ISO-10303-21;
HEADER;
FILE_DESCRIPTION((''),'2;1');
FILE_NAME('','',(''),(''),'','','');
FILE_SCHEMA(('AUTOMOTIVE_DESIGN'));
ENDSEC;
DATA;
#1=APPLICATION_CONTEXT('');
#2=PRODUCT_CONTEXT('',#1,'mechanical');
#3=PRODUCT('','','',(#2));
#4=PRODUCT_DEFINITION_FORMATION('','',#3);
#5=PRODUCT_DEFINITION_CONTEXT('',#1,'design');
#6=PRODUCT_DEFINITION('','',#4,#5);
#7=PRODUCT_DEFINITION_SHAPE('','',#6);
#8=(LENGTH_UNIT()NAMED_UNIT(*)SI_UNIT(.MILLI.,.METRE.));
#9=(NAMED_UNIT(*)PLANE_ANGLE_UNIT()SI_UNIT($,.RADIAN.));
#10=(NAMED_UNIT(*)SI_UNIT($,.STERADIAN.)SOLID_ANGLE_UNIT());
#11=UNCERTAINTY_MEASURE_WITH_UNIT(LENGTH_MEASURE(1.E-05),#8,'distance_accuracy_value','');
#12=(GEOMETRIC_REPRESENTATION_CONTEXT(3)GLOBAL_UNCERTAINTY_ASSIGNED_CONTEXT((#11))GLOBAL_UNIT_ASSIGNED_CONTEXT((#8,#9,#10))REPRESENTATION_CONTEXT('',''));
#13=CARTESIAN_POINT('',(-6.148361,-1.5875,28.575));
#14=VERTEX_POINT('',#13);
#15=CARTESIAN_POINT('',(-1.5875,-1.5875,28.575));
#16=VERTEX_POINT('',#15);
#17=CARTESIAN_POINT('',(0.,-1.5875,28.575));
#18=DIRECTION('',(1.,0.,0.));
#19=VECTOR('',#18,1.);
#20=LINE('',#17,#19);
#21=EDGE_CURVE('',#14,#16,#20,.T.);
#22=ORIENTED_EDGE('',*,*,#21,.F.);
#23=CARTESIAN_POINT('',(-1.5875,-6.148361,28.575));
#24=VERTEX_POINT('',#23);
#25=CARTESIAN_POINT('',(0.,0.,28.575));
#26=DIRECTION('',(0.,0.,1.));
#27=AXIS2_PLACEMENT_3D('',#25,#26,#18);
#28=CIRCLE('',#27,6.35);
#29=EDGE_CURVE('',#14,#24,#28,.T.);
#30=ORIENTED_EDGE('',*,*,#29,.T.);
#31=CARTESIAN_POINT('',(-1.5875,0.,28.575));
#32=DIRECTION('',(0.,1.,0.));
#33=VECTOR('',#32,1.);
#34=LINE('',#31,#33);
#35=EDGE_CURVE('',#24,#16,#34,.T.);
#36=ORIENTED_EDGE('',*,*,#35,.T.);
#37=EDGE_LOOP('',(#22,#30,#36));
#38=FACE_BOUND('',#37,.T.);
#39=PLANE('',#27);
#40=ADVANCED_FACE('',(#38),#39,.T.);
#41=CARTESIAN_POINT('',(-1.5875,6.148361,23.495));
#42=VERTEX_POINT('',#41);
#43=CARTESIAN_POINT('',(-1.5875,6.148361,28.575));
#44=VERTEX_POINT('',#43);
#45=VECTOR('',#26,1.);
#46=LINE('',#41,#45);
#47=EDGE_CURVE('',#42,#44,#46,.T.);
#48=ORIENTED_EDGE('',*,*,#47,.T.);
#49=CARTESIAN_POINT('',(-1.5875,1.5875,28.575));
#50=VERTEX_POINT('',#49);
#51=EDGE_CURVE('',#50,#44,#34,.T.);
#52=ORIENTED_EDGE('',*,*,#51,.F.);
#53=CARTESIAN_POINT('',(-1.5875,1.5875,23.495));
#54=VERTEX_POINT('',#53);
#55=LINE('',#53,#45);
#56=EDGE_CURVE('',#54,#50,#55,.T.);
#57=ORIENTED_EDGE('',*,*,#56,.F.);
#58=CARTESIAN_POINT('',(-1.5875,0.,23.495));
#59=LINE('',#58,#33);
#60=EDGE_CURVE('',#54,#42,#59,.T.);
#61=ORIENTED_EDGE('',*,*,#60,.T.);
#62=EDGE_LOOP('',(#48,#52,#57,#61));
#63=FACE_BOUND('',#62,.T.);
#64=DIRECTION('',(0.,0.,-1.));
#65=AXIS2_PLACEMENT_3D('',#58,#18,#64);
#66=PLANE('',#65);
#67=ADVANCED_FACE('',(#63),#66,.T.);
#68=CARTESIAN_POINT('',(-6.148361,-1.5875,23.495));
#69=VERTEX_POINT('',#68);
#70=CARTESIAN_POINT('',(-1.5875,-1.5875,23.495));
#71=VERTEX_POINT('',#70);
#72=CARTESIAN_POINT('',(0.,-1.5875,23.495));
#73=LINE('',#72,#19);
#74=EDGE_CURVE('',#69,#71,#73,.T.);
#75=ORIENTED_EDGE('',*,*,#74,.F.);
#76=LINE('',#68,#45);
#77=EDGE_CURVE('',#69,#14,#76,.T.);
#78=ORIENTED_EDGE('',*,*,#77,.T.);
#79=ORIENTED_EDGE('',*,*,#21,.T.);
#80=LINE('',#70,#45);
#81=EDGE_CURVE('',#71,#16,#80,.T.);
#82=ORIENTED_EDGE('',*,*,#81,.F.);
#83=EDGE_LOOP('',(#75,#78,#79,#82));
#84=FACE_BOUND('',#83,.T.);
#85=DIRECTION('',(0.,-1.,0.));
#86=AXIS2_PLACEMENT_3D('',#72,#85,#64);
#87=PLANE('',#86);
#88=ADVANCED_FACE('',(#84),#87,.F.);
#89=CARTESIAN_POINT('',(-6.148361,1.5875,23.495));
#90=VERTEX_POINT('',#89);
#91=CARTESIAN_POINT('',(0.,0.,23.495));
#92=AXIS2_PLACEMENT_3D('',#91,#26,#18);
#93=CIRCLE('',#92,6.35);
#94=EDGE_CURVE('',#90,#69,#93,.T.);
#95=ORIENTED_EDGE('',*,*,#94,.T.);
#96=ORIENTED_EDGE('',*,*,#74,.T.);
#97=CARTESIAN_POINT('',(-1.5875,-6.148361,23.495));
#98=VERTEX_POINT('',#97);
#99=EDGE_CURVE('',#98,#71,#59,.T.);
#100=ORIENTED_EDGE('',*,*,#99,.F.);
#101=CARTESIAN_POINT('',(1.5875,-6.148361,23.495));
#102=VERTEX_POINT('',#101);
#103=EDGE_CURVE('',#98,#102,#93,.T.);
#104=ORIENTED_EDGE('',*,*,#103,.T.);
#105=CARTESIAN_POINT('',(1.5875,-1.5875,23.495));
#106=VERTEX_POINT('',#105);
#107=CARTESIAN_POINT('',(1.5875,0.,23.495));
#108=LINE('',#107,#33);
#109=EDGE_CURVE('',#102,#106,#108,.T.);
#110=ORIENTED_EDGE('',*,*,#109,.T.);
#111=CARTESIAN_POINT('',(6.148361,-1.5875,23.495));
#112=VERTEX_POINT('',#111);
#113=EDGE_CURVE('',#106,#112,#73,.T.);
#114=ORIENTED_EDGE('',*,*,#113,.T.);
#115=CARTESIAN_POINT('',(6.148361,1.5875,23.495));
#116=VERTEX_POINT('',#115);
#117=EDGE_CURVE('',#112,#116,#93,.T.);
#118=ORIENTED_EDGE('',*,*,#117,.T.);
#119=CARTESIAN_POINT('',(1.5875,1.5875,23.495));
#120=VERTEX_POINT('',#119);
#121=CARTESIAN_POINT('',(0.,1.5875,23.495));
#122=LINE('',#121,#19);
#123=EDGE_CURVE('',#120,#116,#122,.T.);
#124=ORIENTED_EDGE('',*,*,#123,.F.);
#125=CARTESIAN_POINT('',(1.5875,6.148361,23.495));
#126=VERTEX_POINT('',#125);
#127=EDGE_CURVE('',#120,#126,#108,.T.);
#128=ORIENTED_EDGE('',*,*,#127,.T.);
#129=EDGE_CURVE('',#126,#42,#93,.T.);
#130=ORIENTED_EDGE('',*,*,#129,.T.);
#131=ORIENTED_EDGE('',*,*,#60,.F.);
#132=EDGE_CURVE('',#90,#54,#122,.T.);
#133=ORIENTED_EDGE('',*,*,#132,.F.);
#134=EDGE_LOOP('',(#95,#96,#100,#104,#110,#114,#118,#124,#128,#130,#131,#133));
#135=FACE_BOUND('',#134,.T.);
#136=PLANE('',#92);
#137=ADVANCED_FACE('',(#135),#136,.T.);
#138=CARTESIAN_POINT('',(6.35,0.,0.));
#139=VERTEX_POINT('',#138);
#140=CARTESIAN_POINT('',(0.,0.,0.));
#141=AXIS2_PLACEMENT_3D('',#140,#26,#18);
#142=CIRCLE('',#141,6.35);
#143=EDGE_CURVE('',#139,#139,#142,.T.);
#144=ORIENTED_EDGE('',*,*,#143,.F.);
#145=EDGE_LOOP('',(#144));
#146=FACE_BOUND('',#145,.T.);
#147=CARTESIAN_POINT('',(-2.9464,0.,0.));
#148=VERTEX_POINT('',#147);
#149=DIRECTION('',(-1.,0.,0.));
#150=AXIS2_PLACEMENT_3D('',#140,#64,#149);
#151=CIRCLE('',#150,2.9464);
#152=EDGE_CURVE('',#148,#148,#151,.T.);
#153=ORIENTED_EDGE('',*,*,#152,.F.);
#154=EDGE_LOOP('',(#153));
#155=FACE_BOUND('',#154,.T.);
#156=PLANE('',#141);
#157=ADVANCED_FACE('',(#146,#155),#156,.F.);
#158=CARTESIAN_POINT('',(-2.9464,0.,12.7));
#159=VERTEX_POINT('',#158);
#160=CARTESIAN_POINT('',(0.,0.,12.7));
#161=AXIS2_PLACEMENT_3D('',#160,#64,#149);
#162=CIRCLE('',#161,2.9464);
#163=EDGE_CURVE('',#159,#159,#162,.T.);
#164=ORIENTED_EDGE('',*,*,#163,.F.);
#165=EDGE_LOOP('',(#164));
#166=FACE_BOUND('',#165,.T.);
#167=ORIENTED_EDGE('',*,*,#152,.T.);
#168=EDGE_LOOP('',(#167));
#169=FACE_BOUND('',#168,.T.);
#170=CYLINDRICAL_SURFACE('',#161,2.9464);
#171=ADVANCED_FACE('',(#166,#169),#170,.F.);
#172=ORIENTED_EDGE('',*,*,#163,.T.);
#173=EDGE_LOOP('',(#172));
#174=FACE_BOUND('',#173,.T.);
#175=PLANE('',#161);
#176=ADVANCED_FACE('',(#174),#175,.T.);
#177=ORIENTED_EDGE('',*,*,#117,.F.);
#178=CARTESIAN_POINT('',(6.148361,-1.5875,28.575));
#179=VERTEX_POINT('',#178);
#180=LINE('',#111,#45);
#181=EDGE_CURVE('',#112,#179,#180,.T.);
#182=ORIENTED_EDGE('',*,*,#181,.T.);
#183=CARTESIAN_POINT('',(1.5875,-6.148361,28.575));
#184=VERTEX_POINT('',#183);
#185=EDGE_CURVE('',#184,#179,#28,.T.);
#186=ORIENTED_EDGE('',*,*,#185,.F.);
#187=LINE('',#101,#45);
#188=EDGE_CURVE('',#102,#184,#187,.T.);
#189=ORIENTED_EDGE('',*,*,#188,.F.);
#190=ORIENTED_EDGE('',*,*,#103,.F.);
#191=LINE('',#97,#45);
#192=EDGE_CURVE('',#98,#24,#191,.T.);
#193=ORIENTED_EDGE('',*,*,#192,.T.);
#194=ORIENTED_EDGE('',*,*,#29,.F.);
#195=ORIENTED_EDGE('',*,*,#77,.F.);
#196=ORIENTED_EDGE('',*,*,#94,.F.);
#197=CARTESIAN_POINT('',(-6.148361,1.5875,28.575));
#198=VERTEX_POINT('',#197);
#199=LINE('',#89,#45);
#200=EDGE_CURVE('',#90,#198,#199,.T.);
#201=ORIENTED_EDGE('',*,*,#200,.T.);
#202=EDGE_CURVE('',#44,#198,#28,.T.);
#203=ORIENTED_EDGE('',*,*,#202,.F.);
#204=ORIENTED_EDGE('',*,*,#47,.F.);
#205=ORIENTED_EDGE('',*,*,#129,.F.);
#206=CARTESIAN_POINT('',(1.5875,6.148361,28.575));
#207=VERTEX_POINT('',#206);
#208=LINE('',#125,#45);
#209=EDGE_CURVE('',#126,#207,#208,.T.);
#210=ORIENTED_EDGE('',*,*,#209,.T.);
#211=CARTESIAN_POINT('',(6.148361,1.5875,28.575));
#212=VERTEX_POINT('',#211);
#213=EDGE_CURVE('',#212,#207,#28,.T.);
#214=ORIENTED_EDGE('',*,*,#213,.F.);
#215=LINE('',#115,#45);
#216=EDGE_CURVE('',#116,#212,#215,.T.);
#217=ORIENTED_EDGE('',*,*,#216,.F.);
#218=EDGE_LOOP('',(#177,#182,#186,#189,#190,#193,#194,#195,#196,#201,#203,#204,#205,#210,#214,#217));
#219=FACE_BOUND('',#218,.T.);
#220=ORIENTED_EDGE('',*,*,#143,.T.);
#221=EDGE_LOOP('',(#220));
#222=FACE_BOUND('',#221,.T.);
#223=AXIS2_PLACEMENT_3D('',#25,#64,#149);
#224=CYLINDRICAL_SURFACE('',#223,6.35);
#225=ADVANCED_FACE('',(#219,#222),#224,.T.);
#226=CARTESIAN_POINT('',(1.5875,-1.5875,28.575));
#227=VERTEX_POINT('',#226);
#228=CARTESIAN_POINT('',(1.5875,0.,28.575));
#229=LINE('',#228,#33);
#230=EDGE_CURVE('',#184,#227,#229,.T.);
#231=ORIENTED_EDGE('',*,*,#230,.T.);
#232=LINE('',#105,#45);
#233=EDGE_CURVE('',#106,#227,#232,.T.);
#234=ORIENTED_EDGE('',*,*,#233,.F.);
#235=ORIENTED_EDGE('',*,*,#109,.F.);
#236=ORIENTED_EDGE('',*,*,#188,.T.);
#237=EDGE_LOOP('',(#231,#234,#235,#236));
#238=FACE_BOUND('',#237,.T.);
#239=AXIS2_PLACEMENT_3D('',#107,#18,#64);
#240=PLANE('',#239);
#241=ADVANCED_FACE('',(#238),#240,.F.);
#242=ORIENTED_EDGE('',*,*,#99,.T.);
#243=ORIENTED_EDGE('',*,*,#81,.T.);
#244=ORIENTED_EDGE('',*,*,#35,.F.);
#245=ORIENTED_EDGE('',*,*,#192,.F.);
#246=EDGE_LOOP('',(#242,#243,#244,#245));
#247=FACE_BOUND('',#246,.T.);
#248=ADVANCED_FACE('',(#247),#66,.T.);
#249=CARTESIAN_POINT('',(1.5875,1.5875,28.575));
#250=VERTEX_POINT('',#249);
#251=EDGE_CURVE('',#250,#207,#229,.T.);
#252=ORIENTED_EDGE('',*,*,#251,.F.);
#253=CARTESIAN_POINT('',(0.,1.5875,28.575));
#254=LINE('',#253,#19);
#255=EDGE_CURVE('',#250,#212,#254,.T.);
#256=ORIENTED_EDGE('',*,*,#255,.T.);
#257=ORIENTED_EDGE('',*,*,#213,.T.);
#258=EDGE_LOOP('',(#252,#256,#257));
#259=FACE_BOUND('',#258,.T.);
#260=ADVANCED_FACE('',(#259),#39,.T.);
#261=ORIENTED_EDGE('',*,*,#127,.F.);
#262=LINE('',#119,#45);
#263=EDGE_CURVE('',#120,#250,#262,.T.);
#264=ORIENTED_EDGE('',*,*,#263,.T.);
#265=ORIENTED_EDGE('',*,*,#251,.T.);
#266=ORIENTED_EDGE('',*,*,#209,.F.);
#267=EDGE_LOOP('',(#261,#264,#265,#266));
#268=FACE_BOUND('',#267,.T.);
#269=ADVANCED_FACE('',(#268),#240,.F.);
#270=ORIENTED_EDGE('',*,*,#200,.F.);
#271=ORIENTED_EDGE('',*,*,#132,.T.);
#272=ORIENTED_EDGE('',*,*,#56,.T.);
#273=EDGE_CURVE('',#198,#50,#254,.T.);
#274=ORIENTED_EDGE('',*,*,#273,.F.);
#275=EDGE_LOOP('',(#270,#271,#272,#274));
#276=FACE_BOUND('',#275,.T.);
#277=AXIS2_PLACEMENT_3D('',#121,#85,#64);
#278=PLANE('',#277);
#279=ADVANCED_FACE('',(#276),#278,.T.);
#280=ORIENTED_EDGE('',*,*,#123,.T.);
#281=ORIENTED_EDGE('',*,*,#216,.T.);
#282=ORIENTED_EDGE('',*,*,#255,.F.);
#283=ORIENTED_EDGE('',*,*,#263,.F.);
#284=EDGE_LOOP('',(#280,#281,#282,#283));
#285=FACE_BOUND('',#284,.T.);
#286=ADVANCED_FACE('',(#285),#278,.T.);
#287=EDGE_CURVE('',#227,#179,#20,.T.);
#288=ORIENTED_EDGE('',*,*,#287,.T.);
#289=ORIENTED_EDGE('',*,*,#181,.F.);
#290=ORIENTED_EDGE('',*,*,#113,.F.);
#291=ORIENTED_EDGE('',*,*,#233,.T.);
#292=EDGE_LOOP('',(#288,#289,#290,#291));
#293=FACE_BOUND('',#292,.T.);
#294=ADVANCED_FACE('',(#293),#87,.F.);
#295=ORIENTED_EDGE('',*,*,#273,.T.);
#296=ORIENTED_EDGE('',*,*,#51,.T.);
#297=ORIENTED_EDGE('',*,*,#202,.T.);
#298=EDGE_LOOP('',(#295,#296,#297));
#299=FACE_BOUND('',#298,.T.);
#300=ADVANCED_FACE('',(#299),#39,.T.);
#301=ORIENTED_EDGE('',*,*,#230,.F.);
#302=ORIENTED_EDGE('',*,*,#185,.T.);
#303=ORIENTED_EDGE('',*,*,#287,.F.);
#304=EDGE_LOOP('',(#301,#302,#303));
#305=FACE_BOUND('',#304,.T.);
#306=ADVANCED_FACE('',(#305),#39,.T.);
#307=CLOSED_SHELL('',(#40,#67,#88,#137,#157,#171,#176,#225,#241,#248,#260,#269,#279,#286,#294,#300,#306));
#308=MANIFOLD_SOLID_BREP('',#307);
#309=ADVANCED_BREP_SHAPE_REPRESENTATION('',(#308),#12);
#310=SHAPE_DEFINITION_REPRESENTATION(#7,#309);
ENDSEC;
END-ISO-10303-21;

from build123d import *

# Parameters (mm, degrees)
SKETCH1_R           = 6.35
BOSS_EXTRUDE1_DEPTH = 28.575
SKETCH2_R           = 2.9464
CUT_EXTRUDE1_DEPTH  = 12.7
CUT_EXTRUDE2_START  = -5.08
SKETCH4_W           = 3.175
SKETCH4_H           = 3.175
CUT_EXTRUDE2_DEPTH  = 5.08


with BuildPart() as part:
    # Sketch1 → Boss-Extrude1 (new body)
    with BuildSketch(Plane.XY):
        Circle(SKETCH1_R)
    extrude(amount=BOSS_EXTRUDE1_DEPTH)

    # Sketch2 → Cut-Extrude1 (cut)
    with BuildSketch(Plane(origin=(0, 0, 0), x_dir=(-1, 0, 0), z_dir=(0, 0, -1))):
        Circle(SKETCH2_R)
    extrude(amount=-CUT_EXTRUDE1_DEPTH, mode=Mode.SUBTRACT)

    # Sketch4 → Cut-Extrude2 (cut)
    with BuildSketch(Plane.XY.offset(28.575).offset(CUT_EXTRUDE2_START)):
        with BuildLine():
            Line((-1.5875, 6.148361062), (-1.5875, 1.5875))
            Line((-1.5875, 1.5875), (1.5875, 1.5875))
            Line((1.5875, 1.5875), (1.5875, 6.148361062))
            ThreePointArc((1.5875, 6.148361062), (0, 6.35), (-1.5875, 6.148361062))
        make_face()
        Rectangle(SKETCH4_W, SKETCH4_H)
        with BuildLine():
            Line((-6.148361062, -1.5875), (-1.5875, -1.5875))
            Line((-1.5875, -1.5875), (-1.5875, 1.5875))
            Line((-1.5875, 1.5875), (-6.148361062, 1.5875))
            ThreePointArc((-6.148361062, 1.5875), (-6.35, 0), (-6.148361062, -1.5875))
        make_face()
        with BuildLine():
            Line((1.5875, 1.5875), (1.5875, -1.5875))
            Line((1.5875, -1.5875), (6.148361062, -1.5875))
            ThreePointArc((6.148361062, -1.5875), (6.299388571, -0.800127257), (6.35, 0))
            ThreePointArc((6.35, 0), (6.299388571, 0.800127257), (6.148361062, 1.5875))
            Line((6.148361062, 1.5875), (1.5875, 1.5875))
        make_face()
        with BuildLine():
            Line((-1.5875, -1.5875), (-1.5875, -6.148361062))
            ThreePointArc((-1.5875, -6.148361062), (0, -6.35), (1.5875, -6.148361062))
            Line((1.5875, -6.148361062), (1.5875, -1.5875))
            Line((1.5875, -1.5875), (-1.5875, -1.5875))
        make_face()
    extrude(amount=CUT_EXTRUDE2_DEPTH, mode=Mode.SUBTRACT)


solid = part.part
